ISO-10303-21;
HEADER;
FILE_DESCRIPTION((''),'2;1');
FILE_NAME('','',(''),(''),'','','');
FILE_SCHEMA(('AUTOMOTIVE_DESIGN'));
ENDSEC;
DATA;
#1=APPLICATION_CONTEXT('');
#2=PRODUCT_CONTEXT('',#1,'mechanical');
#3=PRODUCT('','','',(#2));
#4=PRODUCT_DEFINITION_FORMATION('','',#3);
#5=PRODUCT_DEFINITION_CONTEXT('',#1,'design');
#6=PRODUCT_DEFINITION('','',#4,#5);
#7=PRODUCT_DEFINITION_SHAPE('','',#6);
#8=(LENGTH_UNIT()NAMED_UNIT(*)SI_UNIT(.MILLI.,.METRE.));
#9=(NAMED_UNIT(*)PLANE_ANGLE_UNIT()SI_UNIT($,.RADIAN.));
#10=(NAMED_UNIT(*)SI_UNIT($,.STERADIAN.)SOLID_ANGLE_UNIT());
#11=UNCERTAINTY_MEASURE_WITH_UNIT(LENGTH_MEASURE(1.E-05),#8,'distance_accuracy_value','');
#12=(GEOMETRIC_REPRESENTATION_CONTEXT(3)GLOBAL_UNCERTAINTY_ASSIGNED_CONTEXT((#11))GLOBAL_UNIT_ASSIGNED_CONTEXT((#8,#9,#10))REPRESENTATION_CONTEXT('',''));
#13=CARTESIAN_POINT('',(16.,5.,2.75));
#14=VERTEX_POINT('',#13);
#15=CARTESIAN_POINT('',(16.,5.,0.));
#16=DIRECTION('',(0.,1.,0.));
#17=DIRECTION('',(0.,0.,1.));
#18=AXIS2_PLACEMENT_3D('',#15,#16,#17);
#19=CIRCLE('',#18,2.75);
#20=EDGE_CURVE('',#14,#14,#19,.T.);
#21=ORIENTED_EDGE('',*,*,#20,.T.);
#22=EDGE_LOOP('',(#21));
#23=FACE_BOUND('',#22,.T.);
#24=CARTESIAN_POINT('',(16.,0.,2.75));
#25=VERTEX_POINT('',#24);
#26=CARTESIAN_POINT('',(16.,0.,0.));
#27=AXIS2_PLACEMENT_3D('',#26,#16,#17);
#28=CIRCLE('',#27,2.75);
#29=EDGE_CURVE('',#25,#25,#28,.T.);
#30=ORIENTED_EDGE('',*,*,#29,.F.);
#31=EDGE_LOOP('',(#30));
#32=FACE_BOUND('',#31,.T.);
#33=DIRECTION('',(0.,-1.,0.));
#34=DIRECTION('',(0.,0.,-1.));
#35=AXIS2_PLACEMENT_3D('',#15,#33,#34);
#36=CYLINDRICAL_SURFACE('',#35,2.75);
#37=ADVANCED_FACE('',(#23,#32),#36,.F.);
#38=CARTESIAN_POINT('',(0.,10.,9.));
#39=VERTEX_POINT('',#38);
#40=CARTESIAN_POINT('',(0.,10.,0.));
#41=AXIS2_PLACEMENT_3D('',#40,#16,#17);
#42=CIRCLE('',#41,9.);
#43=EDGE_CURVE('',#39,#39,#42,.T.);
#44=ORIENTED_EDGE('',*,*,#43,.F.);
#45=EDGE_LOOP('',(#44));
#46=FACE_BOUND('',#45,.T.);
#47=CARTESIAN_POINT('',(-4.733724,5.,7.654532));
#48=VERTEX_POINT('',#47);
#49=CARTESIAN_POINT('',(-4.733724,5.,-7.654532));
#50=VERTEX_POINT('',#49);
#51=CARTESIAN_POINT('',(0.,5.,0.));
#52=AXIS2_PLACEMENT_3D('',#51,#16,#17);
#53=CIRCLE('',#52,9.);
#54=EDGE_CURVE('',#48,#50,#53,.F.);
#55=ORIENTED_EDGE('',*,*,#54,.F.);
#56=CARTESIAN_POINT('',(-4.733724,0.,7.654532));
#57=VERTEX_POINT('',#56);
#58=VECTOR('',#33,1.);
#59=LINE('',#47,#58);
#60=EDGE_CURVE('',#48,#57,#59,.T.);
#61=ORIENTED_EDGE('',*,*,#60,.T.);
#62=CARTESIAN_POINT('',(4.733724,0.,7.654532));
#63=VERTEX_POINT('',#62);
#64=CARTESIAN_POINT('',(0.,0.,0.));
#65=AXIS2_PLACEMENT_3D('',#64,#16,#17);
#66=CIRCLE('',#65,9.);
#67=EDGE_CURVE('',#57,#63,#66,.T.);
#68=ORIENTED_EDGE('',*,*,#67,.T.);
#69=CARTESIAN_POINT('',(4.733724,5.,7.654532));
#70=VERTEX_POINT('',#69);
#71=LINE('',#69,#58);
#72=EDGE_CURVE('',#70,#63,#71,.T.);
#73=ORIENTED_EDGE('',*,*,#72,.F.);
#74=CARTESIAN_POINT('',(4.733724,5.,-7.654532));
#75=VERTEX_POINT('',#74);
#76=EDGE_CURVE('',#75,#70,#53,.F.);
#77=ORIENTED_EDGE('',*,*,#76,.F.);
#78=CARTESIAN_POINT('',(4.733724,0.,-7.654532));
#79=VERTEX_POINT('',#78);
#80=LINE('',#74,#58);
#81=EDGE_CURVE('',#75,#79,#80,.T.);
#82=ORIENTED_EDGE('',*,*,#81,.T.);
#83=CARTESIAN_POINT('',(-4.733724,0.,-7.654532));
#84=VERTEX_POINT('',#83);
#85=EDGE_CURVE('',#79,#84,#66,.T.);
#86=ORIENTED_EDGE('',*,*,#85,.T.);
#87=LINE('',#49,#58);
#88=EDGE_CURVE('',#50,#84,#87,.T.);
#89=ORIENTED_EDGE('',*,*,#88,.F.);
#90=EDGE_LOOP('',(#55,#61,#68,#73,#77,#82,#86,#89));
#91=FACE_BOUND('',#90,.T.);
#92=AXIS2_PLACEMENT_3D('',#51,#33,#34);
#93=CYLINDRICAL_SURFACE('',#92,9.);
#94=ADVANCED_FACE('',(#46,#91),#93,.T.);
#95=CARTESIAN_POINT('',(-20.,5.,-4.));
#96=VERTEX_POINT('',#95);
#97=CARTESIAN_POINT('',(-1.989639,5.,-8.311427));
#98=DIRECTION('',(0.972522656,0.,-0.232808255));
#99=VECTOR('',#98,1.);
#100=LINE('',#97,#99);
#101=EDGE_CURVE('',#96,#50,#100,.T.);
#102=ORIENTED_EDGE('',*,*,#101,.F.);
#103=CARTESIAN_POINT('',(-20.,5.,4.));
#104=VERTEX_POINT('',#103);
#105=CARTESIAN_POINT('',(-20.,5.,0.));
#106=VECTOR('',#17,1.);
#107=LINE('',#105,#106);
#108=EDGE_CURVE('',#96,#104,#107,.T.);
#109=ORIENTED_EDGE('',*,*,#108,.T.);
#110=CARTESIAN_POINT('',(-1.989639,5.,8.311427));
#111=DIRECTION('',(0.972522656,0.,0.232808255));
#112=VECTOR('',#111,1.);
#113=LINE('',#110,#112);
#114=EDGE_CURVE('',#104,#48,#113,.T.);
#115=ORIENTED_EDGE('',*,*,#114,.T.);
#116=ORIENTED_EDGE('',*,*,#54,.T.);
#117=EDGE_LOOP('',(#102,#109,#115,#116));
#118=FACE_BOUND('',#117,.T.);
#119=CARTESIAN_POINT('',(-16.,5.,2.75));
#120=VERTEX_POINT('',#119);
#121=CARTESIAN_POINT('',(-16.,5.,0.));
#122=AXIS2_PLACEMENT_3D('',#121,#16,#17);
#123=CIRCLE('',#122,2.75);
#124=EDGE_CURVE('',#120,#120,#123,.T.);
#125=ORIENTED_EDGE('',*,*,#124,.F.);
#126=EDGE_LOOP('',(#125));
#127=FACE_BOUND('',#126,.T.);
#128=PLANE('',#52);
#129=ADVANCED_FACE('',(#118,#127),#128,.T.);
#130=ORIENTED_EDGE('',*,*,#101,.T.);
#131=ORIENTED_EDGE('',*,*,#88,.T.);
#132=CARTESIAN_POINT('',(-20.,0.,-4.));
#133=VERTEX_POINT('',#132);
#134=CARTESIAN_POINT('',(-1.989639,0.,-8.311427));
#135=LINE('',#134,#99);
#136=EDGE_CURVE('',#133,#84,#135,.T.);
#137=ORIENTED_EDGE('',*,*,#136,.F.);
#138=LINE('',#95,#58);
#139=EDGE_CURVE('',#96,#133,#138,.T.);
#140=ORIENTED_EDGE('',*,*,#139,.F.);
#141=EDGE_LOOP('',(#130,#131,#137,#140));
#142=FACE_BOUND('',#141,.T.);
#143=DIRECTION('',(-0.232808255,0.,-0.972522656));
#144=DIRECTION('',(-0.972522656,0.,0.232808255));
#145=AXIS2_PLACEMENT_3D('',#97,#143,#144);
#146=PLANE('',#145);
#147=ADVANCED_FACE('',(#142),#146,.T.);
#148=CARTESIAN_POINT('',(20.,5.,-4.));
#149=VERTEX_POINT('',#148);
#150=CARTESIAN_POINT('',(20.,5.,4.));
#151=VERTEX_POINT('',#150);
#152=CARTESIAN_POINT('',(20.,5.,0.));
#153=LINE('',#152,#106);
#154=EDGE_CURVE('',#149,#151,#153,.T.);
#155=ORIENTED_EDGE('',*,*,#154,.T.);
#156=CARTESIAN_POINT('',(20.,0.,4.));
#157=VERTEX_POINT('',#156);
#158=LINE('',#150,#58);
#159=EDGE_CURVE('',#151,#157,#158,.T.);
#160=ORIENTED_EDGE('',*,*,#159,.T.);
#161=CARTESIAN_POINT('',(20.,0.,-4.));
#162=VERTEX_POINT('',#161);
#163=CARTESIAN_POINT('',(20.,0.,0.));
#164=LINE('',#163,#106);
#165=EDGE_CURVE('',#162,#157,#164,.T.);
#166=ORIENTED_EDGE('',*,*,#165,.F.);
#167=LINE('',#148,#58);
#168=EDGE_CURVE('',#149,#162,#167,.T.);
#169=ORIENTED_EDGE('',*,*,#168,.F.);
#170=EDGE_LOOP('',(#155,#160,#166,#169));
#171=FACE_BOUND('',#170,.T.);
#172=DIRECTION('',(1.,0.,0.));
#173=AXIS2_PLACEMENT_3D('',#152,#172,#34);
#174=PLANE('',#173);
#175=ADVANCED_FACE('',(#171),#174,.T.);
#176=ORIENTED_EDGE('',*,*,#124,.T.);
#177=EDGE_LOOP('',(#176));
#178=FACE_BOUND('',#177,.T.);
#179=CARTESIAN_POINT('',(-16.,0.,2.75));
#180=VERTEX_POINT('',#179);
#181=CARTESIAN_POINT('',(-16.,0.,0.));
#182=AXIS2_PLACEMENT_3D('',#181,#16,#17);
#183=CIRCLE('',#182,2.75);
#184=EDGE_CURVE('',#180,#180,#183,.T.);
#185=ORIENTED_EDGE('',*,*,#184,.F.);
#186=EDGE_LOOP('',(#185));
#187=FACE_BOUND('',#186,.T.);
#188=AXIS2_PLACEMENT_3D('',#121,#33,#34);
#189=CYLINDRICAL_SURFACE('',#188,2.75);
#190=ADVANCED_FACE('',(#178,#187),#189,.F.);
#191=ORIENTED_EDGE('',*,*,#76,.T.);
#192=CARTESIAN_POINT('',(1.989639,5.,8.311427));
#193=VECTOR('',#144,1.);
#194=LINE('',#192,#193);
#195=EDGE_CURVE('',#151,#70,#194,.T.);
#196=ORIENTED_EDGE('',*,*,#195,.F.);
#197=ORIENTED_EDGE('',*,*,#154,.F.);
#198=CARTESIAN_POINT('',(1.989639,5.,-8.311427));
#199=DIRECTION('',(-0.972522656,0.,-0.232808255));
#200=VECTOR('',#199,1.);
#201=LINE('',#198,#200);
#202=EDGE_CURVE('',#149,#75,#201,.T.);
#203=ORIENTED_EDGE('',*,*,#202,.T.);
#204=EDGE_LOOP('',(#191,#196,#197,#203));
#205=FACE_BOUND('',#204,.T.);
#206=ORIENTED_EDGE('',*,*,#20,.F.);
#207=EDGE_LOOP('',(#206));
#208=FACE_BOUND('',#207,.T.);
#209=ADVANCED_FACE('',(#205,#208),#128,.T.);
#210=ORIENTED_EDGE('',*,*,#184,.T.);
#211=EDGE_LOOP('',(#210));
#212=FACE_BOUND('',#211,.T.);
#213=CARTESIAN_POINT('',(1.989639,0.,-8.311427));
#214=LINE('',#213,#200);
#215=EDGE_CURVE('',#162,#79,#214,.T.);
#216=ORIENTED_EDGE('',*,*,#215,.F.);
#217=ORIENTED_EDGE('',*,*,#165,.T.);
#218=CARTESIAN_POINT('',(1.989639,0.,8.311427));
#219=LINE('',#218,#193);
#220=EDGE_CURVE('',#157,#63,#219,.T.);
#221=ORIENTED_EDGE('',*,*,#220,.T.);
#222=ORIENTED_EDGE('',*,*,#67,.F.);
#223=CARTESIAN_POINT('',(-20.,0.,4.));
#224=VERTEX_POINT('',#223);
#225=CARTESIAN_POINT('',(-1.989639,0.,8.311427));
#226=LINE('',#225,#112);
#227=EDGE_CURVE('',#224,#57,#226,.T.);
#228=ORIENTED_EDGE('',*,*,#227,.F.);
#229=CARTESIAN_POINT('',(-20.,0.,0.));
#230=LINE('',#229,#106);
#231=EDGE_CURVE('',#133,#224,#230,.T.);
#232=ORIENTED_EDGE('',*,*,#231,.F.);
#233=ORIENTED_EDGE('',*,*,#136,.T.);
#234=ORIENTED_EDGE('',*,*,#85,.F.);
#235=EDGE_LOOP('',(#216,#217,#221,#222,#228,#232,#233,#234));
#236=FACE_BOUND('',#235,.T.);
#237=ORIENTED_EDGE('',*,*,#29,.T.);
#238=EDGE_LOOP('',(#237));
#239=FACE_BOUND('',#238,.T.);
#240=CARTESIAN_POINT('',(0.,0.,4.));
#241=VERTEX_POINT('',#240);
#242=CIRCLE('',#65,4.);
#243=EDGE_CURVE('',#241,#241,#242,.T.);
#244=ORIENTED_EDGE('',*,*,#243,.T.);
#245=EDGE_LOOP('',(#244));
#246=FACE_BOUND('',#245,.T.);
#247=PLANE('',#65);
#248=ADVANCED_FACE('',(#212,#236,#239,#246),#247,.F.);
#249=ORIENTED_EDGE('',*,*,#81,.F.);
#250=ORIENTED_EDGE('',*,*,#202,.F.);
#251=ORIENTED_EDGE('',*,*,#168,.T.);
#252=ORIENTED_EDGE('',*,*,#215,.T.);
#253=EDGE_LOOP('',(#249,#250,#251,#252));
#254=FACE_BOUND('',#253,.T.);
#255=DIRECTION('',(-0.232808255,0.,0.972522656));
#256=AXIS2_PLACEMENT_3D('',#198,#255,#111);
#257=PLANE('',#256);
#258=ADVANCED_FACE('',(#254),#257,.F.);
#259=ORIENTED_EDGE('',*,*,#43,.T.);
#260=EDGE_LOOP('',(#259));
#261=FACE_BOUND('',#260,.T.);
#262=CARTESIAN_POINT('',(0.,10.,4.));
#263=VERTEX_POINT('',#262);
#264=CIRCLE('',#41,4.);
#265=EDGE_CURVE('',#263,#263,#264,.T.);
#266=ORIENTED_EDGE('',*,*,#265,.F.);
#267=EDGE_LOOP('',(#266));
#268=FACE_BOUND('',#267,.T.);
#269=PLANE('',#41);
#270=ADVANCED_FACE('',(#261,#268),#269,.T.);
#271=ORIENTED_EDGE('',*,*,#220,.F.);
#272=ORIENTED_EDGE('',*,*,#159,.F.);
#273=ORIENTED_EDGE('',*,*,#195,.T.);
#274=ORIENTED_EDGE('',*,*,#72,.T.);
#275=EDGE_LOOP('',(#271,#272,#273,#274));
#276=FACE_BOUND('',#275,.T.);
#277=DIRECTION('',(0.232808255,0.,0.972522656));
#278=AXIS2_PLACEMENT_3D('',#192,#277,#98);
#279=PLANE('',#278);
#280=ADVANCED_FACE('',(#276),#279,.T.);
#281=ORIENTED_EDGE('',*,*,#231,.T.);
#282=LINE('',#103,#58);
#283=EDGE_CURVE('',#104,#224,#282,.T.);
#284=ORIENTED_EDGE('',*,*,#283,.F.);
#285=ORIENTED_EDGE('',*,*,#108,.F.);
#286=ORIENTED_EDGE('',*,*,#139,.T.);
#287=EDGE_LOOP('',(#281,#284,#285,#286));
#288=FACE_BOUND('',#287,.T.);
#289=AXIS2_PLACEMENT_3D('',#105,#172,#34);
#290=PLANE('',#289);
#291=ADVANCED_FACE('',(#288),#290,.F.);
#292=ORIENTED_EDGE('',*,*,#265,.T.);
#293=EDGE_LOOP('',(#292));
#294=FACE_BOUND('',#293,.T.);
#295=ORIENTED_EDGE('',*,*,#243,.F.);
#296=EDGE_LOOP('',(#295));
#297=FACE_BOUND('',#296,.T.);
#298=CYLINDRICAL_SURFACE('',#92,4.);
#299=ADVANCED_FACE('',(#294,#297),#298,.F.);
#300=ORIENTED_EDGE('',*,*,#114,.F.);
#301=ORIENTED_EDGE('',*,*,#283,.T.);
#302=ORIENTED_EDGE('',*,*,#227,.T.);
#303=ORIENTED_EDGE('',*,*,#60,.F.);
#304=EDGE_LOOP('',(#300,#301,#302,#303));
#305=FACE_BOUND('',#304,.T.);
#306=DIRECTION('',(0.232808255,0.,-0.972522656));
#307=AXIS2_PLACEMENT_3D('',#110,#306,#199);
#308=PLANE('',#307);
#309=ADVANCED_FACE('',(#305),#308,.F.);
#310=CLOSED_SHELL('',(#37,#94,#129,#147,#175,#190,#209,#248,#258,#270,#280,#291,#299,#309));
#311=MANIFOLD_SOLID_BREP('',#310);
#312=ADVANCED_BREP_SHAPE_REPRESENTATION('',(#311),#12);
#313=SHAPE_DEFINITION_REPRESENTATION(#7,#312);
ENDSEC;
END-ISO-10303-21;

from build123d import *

# Parameters (mm, degrees)
SKETCH1_R           = 2.75
SKETCH1_R_2         = 4
BOSS_EXTRUDE1_DEPTH = 5
SKETCH1_3_R         = 4
BOSS_EXTRUDE2_DEPTH = 10


with BuildPart() as part:
    # Sketch1 → Boss-Extrude1 (new body)
    with BuildSketch(Plane(origin=(0, 0, 0), x_dir=(1, 0, 0), z_dir=(0, 1, 0))):
        with BuildLine():
            Line((-4.733723721, 7.654531974), (-20, 4))
            Line((-20, 4), (-20, -4))
            Line((-20, -4), (-4.733723721, -7.654531974))
            ThreePointArc((-4.733723721, -7.654531974), (0, -9), (4.733723721, -7.654531974))
            Line((4.733723721, -7.654531974), (20, -4))
            Line((20, -4), (20, 4))
            Line((20, 4), (4.733723721, 7.654531974))
            ThreePointArc((4.733723721, 7.654531974), (0, 9), (-4.733723721, 7.654531974))
        make_face()
        with Locations((-16, 0)):
            Circle(SKETCH1_R, mode=Mode.SUBTRACT)
        Circle(SKETCH1_R_2, mode=Mode.SUBTRACT)
        with Locations((16, 0)):
            Circle(SKETCH1_R, mode=Mode.SUBTRACT)
    extrude(amount=BOSS_EXTRUDE1_DEPTH)

    # Sketch1<3> → Boss-Extrude2 (add)
    with BuildSketch(Plane(origin=(0, 0, 0), x_dir=(1, 0, 0), z_dir=(0, 1, 0))):
        with BuildLine():
            ThreePointArc((4.733723721, 7.654531974), (0, 9), (-4.733723721, 7.654531974))
            ThreePointArc((-4.733723721, 7.654531974), (-9, 0), (-4.733723721, -7.654531974))
            ThreePointArc((-4.733723721, -7.654531974), (0, -9), (4.733723721, -7.654531974))
            ThreePointArc((4.733723721, -7.654531974), (7.861409336, -4.381579996), (9, 0))
            ThreePointArc((9, 0), (7.861409336, 4.381579996), (4.733723721, 7.654531974))
        make_face()
        Circle(SKETCH1_3_R, mode=Mode.SUBTRACT)
    extrude(amount=BOSS_EXTRUDE2_DEPTH)


solid = part.part
